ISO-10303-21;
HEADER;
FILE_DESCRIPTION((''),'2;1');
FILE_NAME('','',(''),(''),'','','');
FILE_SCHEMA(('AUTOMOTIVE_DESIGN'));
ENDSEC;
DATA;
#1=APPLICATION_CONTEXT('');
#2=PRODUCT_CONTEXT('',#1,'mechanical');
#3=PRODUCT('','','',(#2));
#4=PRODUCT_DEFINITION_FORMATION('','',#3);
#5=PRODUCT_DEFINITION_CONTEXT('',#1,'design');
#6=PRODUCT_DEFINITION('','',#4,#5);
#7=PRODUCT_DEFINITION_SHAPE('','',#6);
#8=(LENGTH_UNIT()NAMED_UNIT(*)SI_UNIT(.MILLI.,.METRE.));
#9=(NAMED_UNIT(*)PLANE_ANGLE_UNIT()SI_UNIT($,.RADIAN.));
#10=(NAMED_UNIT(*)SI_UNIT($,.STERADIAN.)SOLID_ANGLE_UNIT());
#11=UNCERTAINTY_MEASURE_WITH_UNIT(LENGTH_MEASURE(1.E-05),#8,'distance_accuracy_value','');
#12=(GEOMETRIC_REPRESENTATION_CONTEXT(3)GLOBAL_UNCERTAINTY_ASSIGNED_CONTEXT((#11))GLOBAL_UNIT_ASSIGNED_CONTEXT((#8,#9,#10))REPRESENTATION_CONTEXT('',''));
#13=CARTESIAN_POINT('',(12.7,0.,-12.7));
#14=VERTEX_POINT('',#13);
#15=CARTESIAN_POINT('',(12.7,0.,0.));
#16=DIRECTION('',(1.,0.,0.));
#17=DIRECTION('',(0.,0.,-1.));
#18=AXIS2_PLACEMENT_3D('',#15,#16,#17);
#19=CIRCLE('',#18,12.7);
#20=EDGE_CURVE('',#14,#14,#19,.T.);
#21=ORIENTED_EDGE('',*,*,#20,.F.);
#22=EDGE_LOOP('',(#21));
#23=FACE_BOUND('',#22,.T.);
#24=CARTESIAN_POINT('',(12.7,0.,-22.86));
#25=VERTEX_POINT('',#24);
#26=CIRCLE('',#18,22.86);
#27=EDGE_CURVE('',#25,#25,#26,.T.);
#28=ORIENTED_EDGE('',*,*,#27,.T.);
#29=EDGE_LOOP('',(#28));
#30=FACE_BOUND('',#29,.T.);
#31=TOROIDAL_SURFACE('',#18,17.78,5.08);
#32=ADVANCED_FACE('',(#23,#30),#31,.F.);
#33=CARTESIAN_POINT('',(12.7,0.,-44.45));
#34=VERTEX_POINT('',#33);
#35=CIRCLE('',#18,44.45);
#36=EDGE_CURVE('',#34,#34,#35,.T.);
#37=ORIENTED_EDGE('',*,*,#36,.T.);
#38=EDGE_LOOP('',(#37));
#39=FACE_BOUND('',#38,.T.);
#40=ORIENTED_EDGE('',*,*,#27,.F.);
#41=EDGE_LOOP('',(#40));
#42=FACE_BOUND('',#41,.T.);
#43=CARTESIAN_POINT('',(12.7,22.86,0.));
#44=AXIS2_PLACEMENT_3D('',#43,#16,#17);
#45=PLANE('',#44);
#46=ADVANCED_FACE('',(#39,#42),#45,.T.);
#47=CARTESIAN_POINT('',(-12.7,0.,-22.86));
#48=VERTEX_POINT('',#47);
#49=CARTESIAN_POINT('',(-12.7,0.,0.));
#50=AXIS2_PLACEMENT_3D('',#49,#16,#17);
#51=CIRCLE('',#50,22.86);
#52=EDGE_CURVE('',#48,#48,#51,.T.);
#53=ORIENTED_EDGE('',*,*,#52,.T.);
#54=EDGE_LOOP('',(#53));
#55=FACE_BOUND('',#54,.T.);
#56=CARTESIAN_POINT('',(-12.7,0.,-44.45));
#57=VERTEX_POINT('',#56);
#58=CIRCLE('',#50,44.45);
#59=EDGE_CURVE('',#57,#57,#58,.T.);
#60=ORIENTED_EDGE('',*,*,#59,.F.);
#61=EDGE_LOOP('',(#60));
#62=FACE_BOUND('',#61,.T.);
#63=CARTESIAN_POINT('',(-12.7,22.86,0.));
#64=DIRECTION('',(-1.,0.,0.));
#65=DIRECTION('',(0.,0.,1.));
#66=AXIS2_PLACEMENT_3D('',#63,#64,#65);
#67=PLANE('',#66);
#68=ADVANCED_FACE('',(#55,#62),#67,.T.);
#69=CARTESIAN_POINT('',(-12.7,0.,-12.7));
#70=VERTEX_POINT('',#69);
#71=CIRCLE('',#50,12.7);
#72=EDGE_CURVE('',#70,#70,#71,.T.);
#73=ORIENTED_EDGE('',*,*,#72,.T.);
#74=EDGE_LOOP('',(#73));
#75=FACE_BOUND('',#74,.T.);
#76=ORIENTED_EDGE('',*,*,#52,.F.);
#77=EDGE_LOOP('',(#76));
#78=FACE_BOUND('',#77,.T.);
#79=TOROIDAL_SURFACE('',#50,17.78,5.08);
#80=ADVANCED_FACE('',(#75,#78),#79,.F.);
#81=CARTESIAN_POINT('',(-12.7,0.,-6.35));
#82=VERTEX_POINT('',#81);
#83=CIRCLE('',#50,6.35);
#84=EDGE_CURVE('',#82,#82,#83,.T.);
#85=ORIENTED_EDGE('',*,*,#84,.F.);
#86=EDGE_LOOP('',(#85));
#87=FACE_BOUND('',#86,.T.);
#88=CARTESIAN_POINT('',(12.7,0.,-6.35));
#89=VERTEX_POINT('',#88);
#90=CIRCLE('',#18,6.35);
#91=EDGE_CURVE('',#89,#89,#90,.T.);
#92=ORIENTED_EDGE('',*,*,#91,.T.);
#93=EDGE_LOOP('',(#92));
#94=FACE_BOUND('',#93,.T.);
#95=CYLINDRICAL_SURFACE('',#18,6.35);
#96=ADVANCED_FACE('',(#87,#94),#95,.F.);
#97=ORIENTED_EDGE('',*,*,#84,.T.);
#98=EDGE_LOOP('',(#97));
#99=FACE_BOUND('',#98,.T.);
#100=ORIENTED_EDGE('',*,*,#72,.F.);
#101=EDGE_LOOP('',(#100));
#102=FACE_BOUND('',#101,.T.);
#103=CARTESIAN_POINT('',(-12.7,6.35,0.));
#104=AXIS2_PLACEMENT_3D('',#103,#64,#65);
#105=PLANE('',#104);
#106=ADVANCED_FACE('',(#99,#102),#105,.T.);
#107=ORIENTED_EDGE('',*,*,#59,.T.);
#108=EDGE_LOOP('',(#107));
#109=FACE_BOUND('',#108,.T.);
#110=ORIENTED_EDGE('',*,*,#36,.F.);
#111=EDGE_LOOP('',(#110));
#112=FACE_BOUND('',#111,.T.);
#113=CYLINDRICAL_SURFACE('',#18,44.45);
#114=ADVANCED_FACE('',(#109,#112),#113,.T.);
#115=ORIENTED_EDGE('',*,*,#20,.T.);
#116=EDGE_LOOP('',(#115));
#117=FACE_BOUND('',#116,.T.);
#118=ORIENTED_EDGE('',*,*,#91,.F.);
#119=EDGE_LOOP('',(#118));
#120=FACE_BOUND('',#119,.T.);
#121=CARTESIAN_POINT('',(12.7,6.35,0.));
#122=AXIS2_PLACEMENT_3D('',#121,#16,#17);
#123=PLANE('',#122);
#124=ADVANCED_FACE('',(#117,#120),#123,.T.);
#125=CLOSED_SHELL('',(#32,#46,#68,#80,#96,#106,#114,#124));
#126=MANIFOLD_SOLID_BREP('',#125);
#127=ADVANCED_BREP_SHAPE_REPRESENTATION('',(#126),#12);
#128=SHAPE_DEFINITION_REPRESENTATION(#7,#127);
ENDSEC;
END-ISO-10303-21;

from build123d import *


with BuildPart() as part:
    # Sketch1 → Revolve1 (revolve)
    with BuildSketch(Plane.XY, mode=Mode.PRIVATE) as revolve1_sk:
        with BuildLine():
            Line((12.7, 22.86), (12.7, 44.45))
            Line((12.7, 44.45), (-12.7, 44.45))
            Line((-12.7, 44.45), (-12.7, 22.86))
            ThreePointArc((-12.7, 22.86), (-7.62, 17.78), (-12.7, 12.7))
            Line((-12.7, 12.7), (-12.7, 6.35))
            Line((-12.7, 6.35), (12.7, 6.35))
            Line((12.7, 6.35), (12.7, 12.7))
            ThreePointArc((12.7, 12.7), (7.62, 17.78), (12.7, 22.86))
        make_face()
    revolve(revolve1_sk.sketch.rotate(Axis((12.7, 0, 0), (-1, 0, 0)), 90), axis=Axis((12.7, 0, 0), (-1, 0, 0)))


solid = part.part
